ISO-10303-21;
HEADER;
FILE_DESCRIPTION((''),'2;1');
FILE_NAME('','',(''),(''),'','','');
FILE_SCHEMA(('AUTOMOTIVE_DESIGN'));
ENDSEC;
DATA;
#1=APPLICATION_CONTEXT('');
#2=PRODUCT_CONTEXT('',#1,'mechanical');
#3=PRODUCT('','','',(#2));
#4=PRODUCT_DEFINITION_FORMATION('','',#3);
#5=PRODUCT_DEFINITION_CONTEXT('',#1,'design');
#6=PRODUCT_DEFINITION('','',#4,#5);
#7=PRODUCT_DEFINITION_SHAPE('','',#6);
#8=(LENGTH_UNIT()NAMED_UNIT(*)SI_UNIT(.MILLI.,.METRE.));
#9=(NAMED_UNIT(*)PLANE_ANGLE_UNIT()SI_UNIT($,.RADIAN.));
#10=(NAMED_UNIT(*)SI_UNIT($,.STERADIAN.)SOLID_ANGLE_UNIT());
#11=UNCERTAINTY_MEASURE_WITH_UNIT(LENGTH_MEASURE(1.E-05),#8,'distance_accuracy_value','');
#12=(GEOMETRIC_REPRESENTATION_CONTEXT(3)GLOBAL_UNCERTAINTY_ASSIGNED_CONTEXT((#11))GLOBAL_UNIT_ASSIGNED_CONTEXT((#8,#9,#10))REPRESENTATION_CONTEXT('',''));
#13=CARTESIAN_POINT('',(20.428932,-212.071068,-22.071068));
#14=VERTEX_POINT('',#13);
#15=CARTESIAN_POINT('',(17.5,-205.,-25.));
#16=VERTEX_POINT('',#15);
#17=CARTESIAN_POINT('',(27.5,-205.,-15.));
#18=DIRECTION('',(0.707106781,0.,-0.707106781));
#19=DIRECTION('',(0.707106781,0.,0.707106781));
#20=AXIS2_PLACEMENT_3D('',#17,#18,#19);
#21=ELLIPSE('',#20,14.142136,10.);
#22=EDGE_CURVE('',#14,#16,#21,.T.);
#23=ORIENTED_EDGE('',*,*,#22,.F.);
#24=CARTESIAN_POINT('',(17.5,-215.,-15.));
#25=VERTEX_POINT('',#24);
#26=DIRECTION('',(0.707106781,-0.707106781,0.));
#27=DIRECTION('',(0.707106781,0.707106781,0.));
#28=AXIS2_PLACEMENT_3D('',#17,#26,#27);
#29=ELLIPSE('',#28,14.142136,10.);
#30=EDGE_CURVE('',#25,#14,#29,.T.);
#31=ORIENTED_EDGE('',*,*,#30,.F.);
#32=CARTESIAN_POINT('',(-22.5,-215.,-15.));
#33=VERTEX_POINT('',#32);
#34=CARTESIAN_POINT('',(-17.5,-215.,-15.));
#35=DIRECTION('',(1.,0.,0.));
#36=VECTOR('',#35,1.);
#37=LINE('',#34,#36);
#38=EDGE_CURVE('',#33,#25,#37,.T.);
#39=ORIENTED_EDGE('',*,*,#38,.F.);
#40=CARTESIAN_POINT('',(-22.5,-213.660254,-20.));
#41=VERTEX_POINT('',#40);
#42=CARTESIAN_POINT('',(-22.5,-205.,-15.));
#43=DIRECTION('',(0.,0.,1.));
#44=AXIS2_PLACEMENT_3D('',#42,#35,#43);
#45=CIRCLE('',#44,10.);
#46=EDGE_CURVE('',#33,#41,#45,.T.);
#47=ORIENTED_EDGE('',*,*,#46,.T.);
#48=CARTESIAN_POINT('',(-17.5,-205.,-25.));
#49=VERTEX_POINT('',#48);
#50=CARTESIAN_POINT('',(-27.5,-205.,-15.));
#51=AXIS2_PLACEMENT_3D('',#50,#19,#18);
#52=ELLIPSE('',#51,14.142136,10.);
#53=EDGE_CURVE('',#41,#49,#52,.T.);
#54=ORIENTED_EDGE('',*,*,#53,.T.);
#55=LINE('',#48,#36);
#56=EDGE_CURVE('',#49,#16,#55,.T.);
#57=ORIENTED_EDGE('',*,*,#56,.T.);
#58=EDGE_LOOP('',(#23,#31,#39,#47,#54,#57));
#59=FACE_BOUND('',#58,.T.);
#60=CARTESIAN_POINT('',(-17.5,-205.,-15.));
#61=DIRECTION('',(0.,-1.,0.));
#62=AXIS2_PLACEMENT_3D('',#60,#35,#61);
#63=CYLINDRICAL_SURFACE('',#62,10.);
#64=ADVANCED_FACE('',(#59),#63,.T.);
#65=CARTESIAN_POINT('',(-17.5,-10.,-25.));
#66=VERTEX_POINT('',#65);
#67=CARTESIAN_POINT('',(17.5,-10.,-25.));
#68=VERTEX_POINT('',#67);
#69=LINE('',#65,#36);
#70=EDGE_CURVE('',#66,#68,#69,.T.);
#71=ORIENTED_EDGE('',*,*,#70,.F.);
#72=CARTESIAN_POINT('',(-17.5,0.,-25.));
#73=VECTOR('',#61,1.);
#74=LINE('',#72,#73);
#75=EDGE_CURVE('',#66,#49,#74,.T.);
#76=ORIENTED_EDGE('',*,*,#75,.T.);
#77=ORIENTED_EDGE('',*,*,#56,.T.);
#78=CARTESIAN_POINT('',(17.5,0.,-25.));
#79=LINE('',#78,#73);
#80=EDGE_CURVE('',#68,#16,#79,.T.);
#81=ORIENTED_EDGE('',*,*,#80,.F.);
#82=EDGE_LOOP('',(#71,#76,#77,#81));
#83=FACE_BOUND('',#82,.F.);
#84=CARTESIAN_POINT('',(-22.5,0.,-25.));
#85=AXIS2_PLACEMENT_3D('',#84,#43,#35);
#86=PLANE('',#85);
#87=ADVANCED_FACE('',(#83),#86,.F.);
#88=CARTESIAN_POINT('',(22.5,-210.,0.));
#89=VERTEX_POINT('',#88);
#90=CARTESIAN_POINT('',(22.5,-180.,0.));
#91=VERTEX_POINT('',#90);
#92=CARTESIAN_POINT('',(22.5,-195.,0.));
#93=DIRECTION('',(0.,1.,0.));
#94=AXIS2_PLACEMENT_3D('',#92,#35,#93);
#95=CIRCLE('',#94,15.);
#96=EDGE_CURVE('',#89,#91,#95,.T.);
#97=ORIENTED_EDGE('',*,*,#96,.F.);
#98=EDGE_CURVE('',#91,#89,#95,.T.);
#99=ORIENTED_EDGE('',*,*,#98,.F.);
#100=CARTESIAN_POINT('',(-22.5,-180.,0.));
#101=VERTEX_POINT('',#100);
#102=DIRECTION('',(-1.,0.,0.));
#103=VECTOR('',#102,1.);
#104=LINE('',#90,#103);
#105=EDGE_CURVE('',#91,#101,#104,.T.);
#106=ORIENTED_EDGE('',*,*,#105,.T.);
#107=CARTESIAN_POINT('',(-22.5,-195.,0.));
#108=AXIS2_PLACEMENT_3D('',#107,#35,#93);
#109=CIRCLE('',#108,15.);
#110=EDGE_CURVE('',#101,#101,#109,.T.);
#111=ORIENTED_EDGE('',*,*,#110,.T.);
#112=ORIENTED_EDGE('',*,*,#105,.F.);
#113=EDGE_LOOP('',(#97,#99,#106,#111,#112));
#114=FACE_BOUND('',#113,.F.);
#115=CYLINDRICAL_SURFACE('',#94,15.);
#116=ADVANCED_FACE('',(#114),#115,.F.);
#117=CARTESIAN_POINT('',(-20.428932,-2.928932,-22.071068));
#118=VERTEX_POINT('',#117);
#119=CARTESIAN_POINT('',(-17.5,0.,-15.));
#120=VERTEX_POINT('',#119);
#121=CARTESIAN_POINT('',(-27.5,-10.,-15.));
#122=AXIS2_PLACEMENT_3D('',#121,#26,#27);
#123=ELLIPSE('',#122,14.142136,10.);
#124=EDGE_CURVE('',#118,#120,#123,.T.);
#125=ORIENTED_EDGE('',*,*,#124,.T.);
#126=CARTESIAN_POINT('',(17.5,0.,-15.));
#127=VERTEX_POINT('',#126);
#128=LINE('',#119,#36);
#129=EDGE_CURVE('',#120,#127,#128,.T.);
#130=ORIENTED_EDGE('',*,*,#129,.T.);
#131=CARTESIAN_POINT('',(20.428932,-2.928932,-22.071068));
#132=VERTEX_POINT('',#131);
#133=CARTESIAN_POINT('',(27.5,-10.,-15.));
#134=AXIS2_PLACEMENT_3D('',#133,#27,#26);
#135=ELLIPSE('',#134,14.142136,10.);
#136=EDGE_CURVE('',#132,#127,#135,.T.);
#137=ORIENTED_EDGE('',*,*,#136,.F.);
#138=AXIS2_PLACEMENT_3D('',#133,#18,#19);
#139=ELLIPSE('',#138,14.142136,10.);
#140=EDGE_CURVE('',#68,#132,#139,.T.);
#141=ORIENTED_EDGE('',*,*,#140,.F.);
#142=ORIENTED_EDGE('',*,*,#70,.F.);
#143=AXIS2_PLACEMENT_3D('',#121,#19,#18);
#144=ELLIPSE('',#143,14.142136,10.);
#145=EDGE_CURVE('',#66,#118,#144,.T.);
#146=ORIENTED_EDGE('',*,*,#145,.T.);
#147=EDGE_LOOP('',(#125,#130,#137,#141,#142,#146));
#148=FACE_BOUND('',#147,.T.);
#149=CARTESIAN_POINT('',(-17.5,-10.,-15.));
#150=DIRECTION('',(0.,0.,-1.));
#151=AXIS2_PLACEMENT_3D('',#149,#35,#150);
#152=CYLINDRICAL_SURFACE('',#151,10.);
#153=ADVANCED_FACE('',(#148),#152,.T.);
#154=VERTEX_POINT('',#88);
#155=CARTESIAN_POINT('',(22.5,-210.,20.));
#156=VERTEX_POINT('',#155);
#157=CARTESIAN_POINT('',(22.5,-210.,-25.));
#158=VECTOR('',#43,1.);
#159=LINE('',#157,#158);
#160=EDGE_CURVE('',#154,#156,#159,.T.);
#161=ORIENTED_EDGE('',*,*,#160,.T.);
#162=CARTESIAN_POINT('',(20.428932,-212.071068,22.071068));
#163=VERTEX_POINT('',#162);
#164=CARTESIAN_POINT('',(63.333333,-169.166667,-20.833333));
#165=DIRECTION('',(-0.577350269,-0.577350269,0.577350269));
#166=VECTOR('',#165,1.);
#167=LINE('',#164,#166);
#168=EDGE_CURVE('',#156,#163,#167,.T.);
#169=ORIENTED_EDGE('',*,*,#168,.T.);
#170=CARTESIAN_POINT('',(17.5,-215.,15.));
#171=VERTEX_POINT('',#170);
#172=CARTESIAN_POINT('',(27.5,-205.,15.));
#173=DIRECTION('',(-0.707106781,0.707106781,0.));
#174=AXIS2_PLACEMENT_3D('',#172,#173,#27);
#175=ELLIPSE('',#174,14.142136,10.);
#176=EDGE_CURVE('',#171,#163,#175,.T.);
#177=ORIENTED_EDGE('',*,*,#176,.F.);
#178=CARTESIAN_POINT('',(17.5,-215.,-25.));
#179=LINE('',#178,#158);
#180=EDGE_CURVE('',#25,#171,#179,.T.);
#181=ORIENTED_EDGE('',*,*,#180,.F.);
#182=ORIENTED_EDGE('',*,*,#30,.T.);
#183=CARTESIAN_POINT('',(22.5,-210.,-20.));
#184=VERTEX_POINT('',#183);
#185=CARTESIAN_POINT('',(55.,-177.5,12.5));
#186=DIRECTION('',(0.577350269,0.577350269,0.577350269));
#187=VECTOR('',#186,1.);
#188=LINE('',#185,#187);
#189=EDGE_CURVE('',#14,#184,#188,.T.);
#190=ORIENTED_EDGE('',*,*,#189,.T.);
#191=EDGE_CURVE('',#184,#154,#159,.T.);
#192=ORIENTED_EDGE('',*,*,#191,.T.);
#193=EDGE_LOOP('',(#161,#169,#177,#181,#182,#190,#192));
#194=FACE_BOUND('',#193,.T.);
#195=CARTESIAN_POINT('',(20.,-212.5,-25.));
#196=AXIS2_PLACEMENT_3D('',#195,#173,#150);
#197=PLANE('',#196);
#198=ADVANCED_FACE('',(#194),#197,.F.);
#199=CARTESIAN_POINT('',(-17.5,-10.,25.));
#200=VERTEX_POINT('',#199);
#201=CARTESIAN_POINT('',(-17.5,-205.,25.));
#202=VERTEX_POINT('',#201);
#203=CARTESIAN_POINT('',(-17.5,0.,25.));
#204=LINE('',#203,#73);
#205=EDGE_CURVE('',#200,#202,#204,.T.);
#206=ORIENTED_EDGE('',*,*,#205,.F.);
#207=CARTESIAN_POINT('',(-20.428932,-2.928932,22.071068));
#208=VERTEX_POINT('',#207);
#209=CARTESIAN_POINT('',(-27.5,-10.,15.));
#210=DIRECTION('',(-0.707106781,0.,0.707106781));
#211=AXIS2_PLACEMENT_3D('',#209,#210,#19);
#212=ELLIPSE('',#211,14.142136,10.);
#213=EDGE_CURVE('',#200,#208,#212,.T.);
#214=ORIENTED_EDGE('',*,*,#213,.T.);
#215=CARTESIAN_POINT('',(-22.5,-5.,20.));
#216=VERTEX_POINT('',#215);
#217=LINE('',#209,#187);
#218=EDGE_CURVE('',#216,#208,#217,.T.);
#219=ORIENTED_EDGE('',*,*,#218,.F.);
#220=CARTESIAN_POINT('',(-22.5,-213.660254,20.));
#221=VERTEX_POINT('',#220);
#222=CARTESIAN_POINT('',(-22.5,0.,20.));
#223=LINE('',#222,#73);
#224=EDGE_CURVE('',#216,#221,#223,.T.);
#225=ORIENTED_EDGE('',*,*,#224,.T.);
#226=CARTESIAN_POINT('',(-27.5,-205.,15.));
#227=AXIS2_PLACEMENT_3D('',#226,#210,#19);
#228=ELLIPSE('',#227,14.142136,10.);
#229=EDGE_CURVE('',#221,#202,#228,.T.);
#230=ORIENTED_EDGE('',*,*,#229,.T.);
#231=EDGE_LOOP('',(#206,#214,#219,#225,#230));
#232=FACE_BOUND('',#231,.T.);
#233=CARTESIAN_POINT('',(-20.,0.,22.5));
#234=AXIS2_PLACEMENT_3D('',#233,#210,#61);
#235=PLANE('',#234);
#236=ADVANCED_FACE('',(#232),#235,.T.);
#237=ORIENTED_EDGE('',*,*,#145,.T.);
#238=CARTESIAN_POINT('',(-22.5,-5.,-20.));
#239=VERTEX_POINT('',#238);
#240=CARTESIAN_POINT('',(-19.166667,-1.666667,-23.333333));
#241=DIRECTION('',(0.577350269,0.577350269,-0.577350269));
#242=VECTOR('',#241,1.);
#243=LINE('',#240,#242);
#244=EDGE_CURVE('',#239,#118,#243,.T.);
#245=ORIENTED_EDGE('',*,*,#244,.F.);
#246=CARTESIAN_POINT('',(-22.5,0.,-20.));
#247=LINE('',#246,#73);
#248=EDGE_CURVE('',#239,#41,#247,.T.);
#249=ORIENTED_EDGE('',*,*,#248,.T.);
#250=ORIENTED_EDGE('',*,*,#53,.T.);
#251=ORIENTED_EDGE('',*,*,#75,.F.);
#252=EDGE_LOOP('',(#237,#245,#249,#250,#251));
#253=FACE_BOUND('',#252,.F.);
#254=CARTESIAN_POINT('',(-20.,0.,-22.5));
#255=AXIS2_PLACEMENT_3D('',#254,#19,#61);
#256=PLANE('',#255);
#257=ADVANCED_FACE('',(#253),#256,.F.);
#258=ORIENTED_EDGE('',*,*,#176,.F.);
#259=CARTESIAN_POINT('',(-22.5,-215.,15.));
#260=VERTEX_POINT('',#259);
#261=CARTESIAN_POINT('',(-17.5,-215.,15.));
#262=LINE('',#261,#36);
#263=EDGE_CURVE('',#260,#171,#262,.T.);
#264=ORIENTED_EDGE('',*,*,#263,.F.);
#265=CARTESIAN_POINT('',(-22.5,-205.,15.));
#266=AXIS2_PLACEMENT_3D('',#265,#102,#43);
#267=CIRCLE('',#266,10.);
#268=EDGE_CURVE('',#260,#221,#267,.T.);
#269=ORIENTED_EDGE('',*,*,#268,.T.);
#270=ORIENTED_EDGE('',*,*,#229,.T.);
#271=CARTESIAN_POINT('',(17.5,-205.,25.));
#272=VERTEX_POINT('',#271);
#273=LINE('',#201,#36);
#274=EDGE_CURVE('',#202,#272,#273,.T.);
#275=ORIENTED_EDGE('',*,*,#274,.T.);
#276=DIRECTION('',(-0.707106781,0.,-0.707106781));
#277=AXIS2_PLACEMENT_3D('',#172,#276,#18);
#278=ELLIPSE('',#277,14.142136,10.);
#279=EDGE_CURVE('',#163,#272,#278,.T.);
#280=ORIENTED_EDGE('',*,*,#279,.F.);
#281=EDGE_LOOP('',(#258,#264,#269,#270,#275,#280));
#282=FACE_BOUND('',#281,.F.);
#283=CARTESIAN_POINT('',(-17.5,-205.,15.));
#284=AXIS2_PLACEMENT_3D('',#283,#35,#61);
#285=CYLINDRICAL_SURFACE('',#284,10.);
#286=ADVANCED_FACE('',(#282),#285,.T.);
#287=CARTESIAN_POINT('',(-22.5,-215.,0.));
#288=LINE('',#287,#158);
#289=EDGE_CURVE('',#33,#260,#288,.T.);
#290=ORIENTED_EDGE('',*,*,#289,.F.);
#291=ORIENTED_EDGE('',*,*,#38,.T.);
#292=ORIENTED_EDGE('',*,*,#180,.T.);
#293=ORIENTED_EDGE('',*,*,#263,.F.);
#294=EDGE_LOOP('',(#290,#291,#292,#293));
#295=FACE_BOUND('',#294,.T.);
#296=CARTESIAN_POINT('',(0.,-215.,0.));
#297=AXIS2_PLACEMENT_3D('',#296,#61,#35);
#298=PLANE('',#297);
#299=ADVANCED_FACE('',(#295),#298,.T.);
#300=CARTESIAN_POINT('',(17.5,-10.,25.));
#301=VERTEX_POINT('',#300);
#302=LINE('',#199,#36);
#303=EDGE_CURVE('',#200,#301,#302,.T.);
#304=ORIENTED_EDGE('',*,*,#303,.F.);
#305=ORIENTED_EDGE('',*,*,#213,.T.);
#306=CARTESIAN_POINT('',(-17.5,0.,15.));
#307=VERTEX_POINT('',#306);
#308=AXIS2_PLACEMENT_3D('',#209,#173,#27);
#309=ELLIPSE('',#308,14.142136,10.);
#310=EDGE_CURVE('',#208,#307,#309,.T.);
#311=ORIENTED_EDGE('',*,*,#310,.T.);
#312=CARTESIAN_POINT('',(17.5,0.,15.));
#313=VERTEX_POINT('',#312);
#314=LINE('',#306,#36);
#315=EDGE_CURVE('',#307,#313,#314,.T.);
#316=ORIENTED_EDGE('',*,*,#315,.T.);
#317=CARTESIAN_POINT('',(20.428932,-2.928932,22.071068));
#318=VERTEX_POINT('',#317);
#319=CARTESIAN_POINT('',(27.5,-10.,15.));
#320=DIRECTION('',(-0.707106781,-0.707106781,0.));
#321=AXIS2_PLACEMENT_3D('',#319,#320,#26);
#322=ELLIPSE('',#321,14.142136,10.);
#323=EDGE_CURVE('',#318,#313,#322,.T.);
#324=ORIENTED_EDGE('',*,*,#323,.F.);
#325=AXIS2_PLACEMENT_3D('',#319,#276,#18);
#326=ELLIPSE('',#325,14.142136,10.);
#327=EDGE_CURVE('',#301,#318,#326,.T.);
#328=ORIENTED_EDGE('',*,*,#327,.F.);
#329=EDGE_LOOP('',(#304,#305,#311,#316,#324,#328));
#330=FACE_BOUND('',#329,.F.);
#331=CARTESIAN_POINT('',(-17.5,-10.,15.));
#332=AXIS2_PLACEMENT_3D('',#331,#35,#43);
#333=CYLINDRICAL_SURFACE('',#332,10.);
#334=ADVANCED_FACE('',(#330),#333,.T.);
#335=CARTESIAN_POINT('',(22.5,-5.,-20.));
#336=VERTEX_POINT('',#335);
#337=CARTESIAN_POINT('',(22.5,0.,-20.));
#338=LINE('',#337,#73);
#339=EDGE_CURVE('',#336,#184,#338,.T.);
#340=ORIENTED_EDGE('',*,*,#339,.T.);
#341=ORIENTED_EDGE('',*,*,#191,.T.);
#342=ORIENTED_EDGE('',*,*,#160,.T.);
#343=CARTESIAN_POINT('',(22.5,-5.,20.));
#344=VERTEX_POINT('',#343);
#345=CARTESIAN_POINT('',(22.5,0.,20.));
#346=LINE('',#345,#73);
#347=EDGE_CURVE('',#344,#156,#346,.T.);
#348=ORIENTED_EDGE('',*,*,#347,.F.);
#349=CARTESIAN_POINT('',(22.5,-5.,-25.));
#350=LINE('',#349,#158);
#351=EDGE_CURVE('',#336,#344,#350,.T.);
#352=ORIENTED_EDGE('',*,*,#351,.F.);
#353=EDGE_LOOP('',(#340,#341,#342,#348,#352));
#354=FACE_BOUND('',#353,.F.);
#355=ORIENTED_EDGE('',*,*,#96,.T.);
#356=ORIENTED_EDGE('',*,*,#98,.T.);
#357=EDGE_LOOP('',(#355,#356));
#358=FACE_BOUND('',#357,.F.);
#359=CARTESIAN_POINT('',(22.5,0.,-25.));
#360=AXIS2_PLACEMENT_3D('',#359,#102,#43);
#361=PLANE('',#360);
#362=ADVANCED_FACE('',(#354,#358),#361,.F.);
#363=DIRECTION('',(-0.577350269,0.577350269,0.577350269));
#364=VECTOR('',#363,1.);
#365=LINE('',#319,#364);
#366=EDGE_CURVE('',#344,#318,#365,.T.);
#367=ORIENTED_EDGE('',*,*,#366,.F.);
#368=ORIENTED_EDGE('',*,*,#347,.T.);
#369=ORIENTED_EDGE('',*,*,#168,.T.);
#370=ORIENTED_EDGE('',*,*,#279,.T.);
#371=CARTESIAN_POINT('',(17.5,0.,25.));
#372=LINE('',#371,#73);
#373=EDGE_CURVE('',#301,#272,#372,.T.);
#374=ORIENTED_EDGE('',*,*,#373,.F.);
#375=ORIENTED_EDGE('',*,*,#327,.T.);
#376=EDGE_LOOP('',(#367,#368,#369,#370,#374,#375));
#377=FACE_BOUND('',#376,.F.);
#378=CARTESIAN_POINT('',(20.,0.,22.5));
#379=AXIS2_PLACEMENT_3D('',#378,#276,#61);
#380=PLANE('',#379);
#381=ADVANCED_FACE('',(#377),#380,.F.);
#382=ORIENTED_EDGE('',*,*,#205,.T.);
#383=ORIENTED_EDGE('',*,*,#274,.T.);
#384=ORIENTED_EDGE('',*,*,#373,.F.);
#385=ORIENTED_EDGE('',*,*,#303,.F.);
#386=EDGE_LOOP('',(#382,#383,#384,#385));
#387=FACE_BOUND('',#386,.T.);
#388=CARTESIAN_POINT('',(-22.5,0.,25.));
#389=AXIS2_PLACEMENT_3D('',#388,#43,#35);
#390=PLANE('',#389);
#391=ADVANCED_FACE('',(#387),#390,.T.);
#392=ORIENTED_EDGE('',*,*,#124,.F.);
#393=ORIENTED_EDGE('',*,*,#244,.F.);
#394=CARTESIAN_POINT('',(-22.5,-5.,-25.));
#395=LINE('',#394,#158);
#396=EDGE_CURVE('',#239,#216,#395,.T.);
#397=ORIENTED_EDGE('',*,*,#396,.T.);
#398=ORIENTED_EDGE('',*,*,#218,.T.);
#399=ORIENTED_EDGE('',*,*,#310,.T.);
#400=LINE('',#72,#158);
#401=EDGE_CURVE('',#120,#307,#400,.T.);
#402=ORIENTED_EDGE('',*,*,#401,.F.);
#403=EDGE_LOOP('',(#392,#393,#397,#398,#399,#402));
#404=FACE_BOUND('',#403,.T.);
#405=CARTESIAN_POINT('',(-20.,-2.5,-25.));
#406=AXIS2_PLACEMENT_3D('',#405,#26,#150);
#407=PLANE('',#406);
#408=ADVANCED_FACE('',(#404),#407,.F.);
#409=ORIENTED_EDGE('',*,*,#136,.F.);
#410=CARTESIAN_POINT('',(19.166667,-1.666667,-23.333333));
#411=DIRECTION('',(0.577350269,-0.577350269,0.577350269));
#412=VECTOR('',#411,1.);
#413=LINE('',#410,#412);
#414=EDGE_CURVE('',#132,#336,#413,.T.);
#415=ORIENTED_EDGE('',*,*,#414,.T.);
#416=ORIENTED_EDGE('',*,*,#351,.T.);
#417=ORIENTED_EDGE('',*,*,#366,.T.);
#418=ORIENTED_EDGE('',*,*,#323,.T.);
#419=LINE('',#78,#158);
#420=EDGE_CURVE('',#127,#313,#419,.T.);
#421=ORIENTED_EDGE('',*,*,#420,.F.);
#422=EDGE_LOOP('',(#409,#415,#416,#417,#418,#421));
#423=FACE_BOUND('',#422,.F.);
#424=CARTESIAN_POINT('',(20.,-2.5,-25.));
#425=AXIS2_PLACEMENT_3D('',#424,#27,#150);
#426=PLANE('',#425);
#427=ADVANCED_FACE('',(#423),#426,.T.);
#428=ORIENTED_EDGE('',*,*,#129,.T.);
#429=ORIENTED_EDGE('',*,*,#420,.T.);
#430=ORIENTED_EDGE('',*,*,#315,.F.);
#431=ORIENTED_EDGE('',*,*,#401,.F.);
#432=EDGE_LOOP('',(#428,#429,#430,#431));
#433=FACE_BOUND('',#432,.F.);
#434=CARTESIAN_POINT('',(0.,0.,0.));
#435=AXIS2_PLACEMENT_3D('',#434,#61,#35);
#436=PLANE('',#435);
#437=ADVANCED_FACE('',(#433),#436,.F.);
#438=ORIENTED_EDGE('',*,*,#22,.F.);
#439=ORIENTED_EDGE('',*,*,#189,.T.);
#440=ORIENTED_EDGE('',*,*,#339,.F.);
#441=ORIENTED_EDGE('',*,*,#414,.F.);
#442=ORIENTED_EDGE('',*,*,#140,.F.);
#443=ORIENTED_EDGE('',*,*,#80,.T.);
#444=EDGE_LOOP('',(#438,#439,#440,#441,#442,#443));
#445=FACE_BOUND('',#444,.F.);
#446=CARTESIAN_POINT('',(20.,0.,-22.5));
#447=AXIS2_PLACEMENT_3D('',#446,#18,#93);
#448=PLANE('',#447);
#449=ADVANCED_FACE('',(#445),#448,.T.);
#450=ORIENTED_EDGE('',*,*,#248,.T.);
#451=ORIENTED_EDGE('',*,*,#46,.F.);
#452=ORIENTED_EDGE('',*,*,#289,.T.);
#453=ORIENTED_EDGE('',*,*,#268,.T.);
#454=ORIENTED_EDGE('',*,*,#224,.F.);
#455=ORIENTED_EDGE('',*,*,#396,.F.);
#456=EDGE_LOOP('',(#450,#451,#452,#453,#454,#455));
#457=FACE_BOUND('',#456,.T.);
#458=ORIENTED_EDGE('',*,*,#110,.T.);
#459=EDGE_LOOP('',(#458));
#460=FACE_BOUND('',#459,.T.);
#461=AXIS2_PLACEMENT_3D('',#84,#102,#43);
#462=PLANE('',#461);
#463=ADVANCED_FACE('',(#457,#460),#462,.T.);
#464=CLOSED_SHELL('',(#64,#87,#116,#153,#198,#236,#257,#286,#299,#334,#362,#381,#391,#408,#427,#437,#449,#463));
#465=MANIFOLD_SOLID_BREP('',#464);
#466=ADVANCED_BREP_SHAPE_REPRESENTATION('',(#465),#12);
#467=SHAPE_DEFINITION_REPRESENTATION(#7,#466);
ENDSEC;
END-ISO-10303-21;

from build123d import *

# Parameters (mm, degrees)
F0_W     = 45
F0_H     = 50
F1_DEPTH = 215
F2_SIZE  = 5
F3_R     = 10
F5_DEPTH = 45.001


with BuildPart() as f1:
    # F0 (on Front) → F1 (new body)
    with BuildSketch(Plane.XZ):
        Rectangle(F0_W, F0_H)
    extrude(amount=F1_DEPTH)

    # F2
    f2_edges = [f1.edges().sort_by_distance(p)[0] for p in [
        (22.5, -107.5, 25),
        (-22.5, -107.5, 25),
        (22.5, -107.5, -25),
        (-22.5, -107.5, -25),
        (22.5, -215, 0),
        (22.5, 0, 0),
        (-22.5, 0, 0),
    ]]
    chamfer(f2_edges, length=F2_SIZE)

    # F3
    f3_edges = [f1.edges().sort_by_distance(p)[0] for p in [
        (0, -215, 25),
        (0, -215, -25),
        (0, 0, 25),
        (0, 0, -25),
    ]]
    fillet(f3_edges, radius=F3_R)

    # F4 (on face) → F5 (cut, through all)
    with BuildSketch(Plane.YZ.offset(22.5)):
        with BuildLine():
            ThreePointArc((-210, 8.56e-08), (-195.0000000428, -15), (-180, 0))
            ThreePointArc((-180, 0), (-194.9999999572, 15), (-210, 8.56e-08))
        make_face()
    extrude(amount=-F5_DEPTH, mode=Mode.SUBTRACT)


solid = f1.part
